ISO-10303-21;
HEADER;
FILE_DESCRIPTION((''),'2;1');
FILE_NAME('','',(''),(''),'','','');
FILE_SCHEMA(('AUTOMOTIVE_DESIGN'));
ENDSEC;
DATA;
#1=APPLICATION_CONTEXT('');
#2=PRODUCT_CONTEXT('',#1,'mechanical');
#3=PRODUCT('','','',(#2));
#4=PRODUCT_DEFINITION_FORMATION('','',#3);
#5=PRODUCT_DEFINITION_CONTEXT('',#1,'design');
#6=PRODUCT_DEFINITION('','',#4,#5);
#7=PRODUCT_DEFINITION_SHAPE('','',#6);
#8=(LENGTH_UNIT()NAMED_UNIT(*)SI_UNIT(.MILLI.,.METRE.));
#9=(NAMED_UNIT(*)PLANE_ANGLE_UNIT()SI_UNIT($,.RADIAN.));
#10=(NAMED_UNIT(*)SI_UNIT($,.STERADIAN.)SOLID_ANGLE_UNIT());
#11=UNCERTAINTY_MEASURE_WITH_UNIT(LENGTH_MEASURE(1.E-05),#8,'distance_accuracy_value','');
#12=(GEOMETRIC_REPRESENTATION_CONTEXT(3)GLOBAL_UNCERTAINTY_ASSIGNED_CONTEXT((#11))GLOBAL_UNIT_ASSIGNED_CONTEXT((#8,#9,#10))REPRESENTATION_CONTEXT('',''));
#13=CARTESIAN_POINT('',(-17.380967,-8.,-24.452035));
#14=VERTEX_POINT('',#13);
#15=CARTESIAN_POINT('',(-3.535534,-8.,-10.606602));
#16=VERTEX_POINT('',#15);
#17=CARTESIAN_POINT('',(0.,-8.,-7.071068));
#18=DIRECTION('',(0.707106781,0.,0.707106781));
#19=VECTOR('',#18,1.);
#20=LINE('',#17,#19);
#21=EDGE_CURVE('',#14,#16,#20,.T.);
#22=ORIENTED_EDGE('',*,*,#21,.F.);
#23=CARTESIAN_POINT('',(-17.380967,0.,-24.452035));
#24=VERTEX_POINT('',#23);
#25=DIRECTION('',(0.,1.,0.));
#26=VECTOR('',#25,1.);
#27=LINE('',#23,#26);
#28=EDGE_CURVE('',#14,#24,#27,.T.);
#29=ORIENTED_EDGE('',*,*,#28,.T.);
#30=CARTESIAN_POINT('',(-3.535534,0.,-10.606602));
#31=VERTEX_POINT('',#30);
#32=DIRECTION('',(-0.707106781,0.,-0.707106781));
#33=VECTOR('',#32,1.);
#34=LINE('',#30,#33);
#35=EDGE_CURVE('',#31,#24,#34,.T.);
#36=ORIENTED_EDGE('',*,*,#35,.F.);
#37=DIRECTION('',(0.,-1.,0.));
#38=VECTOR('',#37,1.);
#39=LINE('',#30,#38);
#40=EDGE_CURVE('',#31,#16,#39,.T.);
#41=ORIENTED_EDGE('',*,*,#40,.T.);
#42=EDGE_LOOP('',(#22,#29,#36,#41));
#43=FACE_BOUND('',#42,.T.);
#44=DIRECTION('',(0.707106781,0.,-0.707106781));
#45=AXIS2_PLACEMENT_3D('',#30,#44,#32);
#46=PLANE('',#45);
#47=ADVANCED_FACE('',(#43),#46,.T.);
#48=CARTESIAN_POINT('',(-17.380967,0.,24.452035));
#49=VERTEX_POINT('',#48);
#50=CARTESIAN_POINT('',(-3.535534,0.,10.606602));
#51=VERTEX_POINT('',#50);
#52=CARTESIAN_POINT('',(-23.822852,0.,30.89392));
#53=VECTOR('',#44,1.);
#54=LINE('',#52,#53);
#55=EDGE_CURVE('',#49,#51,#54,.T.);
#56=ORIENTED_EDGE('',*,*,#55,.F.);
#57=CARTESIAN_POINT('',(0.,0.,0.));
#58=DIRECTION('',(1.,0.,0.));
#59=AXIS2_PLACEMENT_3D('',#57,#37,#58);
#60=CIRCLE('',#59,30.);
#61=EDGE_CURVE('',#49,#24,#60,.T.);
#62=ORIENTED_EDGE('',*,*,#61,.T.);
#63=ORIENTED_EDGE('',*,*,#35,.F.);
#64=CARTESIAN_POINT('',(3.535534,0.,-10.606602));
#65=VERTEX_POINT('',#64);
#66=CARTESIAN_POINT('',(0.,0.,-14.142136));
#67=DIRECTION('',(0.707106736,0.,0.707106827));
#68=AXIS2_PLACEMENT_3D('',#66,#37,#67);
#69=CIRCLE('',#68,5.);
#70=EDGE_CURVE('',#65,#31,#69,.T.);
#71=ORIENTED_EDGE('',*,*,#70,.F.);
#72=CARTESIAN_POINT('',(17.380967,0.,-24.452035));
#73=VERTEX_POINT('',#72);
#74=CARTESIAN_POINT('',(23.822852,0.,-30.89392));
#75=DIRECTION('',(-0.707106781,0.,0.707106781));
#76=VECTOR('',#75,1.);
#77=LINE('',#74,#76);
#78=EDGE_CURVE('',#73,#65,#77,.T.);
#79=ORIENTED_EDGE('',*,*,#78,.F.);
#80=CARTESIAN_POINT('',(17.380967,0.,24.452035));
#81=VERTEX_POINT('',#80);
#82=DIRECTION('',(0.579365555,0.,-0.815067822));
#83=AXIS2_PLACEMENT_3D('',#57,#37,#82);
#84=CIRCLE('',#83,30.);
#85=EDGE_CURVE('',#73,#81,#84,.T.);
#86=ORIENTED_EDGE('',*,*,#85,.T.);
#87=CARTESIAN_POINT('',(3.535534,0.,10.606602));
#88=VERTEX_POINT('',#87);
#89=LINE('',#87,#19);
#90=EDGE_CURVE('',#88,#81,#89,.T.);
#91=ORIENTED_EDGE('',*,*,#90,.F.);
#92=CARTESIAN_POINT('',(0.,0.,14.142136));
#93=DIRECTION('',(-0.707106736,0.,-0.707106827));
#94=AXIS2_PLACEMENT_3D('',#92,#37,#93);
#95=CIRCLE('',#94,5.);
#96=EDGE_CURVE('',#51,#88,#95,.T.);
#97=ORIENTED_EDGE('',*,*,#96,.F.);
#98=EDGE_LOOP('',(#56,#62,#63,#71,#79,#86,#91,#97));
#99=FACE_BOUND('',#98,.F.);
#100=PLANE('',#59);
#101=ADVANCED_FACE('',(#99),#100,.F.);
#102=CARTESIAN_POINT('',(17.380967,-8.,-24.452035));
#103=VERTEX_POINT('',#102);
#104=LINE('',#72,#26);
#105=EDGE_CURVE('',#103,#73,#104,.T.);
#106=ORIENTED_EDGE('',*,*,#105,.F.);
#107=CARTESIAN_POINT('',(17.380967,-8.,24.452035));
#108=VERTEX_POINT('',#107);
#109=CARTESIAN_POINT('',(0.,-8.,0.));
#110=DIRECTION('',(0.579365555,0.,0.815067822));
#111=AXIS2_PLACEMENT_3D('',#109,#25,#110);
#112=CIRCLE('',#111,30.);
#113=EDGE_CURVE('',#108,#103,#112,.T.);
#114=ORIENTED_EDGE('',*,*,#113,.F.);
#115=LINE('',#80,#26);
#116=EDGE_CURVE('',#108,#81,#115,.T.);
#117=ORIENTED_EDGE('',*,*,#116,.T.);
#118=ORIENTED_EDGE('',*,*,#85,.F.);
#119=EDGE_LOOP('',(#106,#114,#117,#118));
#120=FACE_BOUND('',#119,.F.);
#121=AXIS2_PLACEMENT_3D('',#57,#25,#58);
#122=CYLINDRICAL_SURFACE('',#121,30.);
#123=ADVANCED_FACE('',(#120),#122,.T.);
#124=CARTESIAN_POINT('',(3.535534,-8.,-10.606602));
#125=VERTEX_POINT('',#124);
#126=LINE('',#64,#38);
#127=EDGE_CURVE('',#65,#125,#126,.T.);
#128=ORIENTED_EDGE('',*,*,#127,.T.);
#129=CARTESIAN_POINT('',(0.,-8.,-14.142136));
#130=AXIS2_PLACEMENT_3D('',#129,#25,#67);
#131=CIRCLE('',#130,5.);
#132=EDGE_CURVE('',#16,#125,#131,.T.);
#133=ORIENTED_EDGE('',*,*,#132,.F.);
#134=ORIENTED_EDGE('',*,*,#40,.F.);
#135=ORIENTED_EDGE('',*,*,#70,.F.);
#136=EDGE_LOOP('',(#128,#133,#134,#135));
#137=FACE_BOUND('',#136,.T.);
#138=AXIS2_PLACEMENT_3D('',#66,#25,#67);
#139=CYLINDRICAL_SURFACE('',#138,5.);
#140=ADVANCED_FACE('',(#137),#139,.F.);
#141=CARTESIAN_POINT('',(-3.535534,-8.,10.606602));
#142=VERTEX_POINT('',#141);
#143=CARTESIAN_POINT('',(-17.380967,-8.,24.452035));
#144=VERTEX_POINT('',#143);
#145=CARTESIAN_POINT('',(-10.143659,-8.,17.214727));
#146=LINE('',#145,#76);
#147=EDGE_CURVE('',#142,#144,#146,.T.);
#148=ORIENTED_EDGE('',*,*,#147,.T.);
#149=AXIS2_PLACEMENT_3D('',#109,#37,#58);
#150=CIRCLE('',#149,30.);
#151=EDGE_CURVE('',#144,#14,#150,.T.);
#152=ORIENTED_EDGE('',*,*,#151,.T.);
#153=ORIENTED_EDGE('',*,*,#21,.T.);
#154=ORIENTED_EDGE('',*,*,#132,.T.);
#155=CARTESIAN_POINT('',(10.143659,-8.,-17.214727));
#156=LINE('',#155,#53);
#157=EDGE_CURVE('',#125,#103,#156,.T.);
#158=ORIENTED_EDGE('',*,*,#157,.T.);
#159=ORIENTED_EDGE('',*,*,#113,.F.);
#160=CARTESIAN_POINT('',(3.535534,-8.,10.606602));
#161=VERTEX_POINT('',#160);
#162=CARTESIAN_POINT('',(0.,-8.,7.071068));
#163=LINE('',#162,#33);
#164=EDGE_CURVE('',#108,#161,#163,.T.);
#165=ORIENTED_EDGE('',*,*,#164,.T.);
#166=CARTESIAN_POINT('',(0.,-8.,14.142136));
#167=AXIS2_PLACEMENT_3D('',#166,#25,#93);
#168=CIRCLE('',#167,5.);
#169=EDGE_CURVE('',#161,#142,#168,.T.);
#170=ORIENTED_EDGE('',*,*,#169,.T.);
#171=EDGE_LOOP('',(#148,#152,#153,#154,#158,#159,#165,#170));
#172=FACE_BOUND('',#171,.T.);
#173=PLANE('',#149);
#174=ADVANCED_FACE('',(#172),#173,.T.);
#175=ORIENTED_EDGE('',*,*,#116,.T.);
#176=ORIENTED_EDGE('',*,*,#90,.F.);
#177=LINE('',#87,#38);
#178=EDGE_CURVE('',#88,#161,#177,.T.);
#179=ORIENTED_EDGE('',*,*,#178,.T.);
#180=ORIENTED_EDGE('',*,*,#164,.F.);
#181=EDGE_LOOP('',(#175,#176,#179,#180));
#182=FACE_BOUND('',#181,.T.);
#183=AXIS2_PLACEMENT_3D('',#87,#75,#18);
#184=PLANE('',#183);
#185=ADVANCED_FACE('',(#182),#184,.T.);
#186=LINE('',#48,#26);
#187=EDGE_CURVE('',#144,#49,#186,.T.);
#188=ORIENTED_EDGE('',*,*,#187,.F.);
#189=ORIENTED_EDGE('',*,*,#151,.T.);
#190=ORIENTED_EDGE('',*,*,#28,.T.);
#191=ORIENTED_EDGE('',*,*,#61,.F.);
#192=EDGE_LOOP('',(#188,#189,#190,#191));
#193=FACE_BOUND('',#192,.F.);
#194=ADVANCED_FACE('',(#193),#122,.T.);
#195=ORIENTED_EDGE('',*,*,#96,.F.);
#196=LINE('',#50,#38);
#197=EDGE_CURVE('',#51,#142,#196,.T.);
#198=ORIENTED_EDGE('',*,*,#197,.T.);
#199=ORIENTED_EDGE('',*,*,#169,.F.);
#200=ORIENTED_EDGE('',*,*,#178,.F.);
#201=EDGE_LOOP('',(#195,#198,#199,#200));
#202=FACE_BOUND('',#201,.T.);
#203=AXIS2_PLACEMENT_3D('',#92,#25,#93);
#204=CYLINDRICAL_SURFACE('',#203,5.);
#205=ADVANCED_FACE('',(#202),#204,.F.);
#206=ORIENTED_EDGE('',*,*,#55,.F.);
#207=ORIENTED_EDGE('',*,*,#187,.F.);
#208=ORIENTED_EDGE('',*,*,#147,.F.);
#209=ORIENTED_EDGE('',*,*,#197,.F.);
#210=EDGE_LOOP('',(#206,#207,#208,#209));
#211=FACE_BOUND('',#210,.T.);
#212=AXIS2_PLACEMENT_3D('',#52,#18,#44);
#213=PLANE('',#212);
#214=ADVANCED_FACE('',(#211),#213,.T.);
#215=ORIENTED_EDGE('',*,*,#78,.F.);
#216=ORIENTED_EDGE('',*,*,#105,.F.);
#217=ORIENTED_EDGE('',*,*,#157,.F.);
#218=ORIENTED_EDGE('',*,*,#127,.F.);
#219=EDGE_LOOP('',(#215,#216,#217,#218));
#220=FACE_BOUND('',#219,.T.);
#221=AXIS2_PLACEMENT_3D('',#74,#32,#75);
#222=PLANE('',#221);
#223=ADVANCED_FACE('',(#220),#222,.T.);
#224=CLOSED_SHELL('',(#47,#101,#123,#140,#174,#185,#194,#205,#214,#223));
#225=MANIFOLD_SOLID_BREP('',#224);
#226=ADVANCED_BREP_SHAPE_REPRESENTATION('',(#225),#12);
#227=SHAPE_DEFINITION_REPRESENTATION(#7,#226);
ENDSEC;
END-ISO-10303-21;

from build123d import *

# Parameters (mm, degrees)
F0_R     = 30
F1_DEPTH = 8
F4_DEPTH = 16.1


with BuildPart() as f1:
    # F0 (on Front) → F1 (new body)
    with BuildSketch(Plane.XZ):
        Circle(F0_R)
    extrude(amount=F1_DEPTH)

    # F2 (on Front) → F4 (cut)
    with BuildSketch(Plane.XZ):
        with BuildLine():
            ThreePointArc((-3.535534, 10.606602), (0, 9.142136), (3.535534, 10.606602))
            Line((3.535534, 10.606602), (23.822852, 30.89392))
            Line((23.822852, 30.89392), (-23.822852, 30.89392))
            Line((-23.822852, 30.89392), (-3.535534, 10.606602))
        make_face()
        with BuildLine():
            ThreePointArc((3.535534, -10.606602), (0, -9.142136), (-3.535534, -10.606602))
            Line((-3.535534, -10.606602), (-23.822852, -30.89392))
            Line((-23.822852, -30.89392), (23.822852, -30.89392))
            Line((23.822852, -30.89392), (3.535534, -10.606602))
        make_face()
    extrude(amount=F4_DEPTH, mode=Mode.SUBTRACT)


solid = f1.part
